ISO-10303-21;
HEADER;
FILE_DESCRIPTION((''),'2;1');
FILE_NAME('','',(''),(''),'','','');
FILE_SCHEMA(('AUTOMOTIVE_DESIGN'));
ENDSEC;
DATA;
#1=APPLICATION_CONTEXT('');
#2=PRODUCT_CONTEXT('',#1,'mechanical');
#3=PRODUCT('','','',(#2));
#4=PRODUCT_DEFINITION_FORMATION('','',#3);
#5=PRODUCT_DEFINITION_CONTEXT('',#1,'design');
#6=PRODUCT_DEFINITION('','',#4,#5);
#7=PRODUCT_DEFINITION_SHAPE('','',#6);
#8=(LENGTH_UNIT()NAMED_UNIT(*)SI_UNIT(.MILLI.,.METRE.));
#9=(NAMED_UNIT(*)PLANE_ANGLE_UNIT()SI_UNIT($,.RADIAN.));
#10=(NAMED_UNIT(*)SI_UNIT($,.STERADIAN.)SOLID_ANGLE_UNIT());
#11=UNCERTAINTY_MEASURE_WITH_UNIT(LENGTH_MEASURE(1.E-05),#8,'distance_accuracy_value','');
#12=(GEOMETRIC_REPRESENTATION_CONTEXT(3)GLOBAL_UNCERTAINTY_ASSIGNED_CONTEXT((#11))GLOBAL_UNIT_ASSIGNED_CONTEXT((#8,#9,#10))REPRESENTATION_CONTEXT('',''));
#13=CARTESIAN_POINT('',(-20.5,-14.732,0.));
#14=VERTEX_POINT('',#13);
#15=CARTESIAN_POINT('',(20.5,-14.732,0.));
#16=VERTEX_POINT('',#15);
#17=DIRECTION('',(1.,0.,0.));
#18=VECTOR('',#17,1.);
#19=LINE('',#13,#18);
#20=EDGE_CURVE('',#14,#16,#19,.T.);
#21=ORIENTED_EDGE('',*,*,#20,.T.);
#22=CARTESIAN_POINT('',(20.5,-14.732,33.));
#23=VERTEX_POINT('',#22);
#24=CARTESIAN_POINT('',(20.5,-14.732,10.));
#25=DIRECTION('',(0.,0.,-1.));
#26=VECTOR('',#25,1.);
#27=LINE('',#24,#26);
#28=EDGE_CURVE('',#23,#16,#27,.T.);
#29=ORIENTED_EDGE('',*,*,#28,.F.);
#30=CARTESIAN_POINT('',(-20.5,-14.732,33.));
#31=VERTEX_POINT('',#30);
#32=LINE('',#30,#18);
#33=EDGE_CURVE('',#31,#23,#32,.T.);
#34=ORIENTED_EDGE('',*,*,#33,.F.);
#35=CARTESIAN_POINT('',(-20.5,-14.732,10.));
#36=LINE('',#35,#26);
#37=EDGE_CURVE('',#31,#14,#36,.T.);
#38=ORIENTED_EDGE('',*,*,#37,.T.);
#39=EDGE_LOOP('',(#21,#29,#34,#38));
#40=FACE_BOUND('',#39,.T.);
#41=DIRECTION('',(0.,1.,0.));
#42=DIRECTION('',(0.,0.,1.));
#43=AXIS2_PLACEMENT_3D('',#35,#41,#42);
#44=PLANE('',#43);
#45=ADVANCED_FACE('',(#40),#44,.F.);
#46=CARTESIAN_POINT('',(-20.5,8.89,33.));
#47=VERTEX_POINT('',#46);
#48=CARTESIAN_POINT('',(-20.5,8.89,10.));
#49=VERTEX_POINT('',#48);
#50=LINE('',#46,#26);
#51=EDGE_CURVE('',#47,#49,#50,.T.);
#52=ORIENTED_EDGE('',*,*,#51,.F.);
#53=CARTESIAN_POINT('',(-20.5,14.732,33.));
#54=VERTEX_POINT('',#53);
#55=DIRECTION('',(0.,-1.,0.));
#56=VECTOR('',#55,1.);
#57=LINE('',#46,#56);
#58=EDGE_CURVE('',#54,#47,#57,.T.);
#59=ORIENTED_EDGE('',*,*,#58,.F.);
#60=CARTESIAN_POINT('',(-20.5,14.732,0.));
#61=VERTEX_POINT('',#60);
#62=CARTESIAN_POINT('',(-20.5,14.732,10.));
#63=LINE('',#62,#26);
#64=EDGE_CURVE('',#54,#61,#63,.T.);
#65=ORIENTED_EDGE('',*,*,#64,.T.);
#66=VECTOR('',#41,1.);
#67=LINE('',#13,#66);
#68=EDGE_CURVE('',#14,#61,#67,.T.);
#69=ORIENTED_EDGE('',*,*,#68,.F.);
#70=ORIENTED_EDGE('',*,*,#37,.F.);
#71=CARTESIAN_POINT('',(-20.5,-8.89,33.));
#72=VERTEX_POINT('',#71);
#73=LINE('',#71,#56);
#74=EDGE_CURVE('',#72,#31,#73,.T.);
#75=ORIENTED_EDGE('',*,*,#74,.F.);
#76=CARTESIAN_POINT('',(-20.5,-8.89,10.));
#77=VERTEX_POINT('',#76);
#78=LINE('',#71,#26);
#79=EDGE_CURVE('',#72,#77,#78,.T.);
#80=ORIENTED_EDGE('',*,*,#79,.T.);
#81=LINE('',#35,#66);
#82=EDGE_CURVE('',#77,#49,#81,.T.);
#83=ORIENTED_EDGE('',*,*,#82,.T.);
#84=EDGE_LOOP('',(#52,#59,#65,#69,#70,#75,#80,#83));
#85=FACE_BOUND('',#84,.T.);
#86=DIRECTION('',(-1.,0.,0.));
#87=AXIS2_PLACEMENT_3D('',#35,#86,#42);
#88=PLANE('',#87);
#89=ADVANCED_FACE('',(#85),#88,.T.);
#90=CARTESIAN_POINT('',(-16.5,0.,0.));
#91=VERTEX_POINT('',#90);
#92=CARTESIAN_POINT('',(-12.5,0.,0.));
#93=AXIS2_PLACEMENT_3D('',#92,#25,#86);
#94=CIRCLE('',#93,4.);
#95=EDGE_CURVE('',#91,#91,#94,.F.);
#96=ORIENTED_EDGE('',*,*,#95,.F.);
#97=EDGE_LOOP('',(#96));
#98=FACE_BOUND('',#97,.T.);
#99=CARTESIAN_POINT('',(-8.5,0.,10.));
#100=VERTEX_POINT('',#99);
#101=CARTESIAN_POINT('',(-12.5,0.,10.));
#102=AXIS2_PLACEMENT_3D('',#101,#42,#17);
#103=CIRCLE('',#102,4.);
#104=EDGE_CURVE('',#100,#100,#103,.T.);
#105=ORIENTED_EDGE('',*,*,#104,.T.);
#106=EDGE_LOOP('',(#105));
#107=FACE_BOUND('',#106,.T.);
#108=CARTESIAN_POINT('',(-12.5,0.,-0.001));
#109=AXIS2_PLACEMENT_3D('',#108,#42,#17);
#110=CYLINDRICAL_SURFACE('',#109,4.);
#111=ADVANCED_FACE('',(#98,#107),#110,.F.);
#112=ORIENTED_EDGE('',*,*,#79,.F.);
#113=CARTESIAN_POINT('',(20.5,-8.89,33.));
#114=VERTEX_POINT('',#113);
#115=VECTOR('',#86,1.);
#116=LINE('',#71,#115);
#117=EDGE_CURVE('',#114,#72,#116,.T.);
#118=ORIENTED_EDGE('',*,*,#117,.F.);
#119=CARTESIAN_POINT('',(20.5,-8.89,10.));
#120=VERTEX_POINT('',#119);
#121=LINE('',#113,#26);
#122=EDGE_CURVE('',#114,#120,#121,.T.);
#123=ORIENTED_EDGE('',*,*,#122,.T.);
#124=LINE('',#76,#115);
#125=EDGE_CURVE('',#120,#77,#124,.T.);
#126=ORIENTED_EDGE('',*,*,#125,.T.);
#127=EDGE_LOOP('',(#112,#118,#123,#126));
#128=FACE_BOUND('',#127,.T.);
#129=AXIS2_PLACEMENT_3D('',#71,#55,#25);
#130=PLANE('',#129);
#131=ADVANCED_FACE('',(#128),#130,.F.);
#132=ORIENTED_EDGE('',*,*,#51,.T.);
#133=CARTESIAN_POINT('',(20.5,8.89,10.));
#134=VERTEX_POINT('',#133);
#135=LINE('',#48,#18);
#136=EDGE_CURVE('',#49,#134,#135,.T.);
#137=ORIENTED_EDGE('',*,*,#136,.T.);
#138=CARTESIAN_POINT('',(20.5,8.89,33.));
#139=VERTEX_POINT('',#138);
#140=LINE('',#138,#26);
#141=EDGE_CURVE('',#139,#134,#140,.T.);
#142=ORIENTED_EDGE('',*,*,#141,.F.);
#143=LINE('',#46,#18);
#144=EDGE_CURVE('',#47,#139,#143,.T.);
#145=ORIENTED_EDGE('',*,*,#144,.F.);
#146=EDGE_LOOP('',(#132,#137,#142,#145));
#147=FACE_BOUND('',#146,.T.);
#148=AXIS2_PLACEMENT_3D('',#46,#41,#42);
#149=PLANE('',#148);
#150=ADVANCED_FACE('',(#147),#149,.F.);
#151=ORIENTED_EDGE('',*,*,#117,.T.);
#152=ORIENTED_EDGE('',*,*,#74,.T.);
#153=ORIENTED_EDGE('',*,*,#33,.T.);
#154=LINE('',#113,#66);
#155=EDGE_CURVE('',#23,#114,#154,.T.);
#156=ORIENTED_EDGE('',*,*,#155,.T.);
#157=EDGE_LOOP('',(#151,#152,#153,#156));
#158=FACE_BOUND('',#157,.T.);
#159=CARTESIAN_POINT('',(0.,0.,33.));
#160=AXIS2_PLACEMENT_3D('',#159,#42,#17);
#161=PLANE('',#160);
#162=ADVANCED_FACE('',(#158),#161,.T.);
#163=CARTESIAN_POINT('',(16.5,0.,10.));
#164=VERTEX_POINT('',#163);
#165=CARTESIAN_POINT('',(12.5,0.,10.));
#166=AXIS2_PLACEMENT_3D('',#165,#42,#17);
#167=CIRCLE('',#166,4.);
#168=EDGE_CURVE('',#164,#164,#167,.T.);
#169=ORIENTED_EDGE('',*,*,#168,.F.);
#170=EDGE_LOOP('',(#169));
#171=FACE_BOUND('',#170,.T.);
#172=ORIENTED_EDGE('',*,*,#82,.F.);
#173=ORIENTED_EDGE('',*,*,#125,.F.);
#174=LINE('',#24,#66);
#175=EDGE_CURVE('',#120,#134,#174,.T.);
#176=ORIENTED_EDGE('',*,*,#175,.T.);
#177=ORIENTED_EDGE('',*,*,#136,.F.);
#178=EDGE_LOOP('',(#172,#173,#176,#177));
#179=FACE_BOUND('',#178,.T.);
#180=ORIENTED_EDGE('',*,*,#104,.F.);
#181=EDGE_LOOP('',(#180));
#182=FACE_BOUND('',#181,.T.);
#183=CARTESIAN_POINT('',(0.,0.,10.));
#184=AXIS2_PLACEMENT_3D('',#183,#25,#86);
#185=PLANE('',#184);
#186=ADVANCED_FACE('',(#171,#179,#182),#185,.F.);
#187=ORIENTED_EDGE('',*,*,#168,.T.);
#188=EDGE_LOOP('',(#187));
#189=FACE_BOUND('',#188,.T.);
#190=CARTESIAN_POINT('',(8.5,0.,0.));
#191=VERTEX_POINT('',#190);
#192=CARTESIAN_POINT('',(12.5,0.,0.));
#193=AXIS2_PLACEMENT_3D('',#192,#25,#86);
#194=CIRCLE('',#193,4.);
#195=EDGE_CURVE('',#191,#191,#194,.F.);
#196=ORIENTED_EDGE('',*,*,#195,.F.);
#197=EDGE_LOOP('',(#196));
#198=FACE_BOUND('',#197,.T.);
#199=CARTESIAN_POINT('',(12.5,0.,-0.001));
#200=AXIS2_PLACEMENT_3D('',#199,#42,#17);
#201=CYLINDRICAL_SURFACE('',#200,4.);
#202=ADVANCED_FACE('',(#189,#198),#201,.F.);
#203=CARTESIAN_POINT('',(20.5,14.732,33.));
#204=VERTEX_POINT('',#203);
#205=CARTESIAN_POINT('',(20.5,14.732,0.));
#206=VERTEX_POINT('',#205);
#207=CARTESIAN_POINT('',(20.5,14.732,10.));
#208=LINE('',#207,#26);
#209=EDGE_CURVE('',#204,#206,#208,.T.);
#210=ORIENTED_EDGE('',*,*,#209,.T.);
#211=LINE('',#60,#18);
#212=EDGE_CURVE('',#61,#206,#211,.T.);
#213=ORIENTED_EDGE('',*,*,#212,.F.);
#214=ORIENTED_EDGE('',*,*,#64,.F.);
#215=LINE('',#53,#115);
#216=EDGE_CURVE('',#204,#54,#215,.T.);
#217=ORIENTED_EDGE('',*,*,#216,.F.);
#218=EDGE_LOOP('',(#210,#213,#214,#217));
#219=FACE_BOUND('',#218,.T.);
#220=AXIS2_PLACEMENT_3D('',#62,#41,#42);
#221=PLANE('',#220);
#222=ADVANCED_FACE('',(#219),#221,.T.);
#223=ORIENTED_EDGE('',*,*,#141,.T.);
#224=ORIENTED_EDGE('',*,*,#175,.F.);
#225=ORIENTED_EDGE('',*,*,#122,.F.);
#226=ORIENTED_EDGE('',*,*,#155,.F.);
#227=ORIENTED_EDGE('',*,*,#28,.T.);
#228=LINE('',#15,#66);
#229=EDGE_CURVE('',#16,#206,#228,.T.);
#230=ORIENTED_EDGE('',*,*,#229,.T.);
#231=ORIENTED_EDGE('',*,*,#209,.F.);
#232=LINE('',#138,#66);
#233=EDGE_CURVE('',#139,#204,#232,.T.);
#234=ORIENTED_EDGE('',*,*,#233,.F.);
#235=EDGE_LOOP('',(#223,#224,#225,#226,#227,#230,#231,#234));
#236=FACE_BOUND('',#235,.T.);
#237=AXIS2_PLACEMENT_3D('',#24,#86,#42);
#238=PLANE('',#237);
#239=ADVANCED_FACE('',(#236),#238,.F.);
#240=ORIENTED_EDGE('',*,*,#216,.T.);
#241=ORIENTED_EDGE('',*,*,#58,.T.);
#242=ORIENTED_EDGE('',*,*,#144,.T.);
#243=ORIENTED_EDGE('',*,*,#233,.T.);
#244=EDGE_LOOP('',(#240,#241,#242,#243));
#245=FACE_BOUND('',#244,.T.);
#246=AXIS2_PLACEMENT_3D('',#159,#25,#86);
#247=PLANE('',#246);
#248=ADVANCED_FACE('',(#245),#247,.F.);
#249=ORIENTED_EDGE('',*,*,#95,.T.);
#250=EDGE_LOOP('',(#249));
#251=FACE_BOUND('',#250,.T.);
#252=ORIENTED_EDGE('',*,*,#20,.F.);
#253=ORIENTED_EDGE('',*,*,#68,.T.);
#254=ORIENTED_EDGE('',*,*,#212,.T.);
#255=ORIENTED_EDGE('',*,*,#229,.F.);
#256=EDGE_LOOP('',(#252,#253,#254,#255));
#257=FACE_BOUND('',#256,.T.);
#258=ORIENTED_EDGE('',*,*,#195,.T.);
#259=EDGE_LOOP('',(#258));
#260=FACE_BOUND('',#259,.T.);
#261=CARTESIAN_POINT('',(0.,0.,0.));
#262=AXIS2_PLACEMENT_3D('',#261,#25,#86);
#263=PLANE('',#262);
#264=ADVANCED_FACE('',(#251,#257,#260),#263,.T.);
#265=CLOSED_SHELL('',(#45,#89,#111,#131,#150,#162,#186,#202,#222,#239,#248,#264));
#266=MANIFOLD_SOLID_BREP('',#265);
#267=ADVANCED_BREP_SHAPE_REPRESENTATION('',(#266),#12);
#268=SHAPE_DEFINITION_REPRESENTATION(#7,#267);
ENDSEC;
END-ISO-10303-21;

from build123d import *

# Parameters (mm, degrees)
SKETCH1_W           = 41
SKETCH1_H           = 29.464
BOSS_EXTRUDE1_DEPTH = 10
SKETCH2_W           = 41
SKETCH2_H           = 5.842
BOSS_EXTRUDE2_DEPTH = 23
CUT_EXTRUDE1_REACH  = 36.151
SKETCH3_R           = 4


with BuildPart() as part:
    # Sketch1 → Boss-Extrude1 (new body)
    with BuildSketch(Plane.XY):
        Rectangle(SKETCH1_W, SKETCH1_H)
    extrude(amount=BOSS_EXTRUDE1_DEPTH)

    # Sketch2 → Boss-Extrude2 (add)
    with BuildSketch(Plane.XY.offset(10)):
        with Locations((0, 11.811)):
            Rectangle(SKETCH2_W, SKETCH2_H)
        with Locations((0, -11.811)):
            Rectangle(SKETCH2_W, SKETCH2_H)
    extrude(amount=BOSS_EXTRUDE2_DEPTH)

    # Sketch3 → Cut-Extrude1 (cut, up to next)
    with BuildSketch(Plane.XY.offset(10), mode=Mode.PRIVATE) as cut_extrude1_sk1:
        with Locations((-12.5, 0)):
            Circle(SKETCH3_R)
    cut_extrude1_tool1 = extrude(cut_extrude1_sk1.sketch, amount=-CUT_EXTRUDE1_REACH, mode=Mode.PRIVATE) & part.part
    # Sketch3 → Cut-Extrude1 (cut, up to next)
    with BuildSketch(Plane.XY.offset(10), mode=Mode.PRIVATE) as cut_extrude1_sk2:
        with Locations((12.5, 0)):
            Circle(SKETCH3_R)
    cut_extrude1_tool2 = extrude(cut_extrude1_sk2.sketch, amount=-CUT_EXTRUDE1_REACH, mode=Mode.PRIVATE) & part.part
    add(cut_extrude1_tool1.solids().sort_by_distance((-12.5, 0, 10))[0], mode=Mode.SUBTRACT)
    add(cut_extrude1_tool2.solids().sort_by_distance((12.5, 0, 10))[0], mode=Mode.SUBTRACT)


solid = part.part
